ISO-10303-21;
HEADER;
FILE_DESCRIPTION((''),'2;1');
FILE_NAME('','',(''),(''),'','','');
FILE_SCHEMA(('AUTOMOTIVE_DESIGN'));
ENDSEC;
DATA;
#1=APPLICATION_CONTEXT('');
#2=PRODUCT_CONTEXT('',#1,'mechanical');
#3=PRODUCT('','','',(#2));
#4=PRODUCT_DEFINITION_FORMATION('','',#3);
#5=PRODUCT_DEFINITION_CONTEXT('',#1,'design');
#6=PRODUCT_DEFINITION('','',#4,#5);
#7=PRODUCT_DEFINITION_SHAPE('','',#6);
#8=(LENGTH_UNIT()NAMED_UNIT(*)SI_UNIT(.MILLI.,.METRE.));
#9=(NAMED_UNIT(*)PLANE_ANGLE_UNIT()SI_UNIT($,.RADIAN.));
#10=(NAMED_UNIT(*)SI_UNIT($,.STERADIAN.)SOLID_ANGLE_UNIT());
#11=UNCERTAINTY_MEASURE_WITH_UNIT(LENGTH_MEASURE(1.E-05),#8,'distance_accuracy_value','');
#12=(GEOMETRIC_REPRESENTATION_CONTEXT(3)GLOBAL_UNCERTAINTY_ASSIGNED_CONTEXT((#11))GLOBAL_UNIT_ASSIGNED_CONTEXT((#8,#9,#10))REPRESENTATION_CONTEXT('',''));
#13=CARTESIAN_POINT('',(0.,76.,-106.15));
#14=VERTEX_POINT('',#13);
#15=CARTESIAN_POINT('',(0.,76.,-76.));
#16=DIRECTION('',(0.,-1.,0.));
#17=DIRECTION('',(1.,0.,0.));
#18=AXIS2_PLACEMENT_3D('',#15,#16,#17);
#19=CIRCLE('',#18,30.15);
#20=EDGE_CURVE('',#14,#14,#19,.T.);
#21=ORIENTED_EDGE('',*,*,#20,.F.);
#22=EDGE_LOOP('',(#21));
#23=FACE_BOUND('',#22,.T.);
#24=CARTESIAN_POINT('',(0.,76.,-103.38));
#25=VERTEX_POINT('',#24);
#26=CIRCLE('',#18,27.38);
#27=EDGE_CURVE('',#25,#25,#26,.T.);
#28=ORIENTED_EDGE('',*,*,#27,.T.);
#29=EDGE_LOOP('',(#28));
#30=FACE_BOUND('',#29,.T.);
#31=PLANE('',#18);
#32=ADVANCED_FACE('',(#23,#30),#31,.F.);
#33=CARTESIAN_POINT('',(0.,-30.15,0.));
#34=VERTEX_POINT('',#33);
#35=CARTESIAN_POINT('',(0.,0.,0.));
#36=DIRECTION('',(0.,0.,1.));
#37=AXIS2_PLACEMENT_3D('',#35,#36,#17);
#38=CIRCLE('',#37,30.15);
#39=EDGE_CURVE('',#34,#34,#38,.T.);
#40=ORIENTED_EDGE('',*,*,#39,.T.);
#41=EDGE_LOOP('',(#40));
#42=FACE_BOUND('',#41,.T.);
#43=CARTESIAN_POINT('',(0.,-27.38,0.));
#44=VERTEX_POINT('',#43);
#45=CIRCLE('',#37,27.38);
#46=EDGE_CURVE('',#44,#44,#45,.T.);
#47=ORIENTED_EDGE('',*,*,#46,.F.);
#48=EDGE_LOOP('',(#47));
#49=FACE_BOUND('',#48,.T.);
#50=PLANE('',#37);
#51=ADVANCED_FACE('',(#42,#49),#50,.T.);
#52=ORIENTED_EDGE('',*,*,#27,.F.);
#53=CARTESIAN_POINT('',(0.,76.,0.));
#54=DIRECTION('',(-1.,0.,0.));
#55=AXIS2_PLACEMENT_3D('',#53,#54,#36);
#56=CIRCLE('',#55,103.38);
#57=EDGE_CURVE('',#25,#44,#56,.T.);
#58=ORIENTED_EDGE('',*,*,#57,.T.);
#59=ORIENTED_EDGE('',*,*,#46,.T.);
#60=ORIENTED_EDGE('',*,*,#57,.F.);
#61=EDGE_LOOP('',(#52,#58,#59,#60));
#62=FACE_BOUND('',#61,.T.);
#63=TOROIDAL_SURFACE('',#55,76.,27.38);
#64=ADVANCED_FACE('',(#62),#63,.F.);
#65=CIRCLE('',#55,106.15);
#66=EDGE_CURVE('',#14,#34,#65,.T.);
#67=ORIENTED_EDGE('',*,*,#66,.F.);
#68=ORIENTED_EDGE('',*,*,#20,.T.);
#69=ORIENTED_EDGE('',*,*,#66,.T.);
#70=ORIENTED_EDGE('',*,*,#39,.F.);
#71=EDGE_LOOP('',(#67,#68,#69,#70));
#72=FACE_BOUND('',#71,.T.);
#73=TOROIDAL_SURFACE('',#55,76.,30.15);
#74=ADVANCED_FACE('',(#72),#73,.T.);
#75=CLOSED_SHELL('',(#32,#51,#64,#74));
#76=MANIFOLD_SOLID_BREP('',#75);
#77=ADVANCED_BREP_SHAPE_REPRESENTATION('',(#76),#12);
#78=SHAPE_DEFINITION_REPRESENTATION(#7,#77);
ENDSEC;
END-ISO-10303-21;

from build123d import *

# Parameters (mm, degrees)
IZIM2_R   = 30.15
IZIM2_R_2 = 27.38


with BuildPart() as part:
    # Süpür1: sweep along a path in Çizim1
    with BuildLine(Plane(origin=(0, 0, 0), x_dir=(0, 0, -1), z_dir=(1, 0, 0))) as s_p_r1_path:
        ThreePointArc((0, 0), (53.74011537, 22.25988463), (76, 76))
    # Çizim2 → Süpür1 (sweep)
    with BuildSketch(Plane.XY):
        Circle(IZIM2_R)
        Circle(IZIM2_R_2, mode=Mode.SUBTRACT)
    sweep(path=s_p_r1_path.line)


solid = part.part
